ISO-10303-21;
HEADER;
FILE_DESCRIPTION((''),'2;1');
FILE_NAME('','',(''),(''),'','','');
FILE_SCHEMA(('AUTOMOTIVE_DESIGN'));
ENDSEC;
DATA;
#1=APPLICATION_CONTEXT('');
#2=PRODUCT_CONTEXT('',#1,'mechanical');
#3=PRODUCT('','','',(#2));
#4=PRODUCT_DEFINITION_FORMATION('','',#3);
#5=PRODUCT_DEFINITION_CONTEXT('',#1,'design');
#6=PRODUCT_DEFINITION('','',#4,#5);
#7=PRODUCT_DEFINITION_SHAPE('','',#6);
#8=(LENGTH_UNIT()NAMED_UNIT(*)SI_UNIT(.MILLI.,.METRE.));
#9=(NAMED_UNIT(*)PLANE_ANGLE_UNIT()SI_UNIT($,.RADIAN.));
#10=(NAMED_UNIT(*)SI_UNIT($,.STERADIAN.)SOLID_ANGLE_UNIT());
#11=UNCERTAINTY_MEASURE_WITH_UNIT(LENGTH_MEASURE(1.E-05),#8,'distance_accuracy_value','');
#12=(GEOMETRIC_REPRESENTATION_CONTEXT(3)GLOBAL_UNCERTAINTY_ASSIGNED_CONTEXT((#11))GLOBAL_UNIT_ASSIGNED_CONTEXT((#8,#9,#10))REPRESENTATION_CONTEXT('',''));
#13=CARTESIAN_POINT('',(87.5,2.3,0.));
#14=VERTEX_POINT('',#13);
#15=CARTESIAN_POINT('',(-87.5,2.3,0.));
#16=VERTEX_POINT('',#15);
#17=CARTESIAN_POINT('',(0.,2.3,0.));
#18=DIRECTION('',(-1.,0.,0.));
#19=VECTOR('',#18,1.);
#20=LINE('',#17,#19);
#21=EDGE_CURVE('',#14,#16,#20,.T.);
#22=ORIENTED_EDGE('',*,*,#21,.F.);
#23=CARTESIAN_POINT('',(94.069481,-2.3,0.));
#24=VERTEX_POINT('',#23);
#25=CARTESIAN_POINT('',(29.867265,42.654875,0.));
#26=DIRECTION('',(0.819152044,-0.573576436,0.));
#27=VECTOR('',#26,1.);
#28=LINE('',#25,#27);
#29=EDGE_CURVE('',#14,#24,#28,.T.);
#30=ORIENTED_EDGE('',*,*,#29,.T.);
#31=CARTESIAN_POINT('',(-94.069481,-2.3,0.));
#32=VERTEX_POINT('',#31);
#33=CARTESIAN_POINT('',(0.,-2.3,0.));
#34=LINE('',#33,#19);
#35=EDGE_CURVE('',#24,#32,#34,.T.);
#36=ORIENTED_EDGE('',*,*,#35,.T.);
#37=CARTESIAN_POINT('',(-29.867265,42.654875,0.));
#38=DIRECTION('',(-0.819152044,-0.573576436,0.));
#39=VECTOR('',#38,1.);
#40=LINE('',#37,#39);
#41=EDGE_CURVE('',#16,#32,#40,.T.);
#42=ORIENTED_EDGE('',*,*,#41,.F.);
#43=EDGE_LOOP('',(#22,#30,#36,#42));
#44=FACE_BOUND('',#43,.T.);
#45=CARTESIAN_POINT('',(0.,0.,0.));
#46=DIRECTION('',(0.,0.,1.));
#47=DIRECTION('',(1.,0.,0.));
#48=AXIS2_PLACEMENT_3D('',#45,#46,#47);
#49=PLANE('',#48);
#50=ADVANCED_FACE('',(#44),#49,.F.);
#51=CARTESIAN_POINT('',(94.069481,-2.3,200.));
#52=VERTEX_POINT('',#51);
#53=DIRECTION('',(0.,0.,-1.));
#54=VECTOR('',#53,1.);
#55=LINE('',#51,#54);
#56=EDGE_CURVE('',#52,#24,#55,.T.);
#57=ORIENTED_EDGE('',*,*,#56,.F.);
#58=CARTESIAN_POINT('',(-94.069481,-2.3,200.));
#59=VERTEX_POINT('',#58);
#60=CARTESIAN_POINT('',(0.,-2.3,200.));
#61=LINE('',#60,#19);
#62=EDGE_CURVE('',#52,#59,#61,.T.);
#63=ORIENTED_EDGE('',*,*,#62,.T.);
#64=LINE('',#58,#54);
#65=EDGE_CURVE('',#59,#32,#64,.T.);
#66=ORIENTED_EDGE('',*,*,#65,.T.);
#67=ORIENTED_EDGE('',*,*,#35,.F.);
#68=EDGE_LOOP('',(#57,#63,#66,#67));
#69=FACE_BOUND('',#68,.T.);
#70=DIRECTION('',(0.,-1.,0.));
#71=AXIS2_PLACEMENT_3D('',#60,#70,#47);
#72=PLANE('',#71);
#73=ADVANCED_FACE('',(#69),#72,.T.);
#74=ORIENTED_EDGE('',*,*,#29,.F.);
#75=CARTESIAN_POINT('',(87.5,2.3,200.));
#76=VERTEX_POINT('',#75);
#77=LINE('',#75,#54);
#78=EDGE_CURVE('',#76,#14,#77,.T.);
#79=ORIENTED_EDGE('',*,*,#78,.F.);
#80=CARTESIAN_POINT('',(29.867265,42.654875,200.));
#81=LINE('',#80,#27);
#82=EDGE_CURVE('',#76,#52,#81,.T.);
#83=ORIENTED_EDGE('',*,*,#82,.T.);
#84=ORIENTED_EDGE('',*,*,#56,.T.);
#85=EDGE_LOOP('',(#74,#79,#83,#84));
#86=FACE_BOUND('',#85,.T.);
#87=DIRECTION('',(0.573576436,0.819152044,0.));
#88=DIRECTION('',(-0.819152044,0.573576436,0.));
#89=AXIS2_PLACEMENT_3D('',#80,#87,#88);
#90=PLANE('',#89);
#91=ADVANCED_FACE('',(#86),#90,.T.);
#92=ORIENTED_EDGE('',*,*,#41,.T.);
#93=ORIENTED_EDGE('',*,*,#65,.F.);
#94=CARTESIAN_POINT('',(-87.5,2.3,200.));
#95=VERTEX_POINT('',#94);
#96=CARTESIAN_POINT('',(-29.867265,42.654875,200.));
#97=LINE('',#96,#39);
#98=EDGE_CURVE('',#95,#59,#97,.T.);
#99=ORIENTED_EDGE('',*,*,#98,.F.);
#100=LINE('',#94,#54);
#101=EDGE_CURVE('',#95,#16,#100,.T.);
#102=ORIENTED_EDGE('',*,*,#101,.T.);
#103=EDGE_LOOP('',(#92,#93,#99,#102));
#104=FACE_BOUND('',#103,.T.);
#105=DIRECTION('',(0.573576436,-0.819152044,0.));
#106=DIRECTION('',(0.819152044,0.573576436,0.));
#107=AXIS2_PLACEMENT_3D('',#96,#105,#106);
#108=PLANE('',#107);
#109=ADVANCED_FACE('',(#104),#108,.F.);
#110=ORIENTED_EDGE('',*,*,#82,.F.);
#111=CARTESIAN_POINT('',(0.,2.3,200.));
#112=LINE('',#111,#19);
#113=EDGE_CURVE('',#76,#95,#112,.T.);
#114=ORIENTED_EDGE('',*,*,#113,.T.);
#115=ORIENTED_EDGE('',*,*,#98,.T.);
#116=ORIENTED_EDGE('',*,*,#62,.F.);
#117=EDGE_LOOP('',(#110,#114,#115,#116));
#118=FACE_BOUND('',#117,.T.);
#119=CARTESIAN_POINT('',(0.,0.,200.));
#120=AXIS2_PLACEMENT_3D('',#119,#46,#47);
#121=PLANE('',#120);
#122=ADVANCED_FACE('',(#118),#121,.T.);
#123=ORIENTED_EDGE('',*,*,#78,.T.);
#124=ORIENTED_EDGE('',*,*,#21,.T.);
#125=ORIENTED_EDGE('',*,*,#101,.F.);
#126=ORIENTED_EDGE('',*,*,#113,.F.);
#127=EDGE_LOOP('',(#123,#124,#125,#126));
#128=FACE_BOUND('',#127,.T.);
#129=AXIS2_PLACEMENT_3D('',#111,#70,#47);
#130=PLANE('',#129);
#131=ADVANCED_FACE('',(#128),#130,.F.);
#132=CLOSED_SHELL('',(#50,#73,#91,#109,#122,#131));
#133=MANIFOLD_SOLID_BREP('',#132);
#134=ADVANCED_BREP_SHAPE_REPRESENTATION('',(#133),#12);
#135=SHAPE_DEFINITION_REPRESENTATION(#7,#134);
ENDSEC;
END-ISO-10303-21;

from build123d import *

# Parameters (mm, degrees)
ESBO_O1_W                = 175
ESBO_O1_H                = 4.6
RESSALTO_EXTRUS_O1_DEPTH = 200


with BuildPart() as part:
    # Esboço1 → Ressalto-extrusão1 (new body)
    with BuildSketch(Plane.XY):
        Polygon((-87.5, -2.3), (-87.5, 2.3), (-94.069480831, -2.3), align=None)
        Rectangle(ESBO_O1_W, ESBO_O1_H)
        Polygon((87.5, -2.3), (87.5, 2.3), (94.069480831, -2.3), align=None)
    extrude(amount=RESSALTO_EXTRUS_O1_DEPTH)


solid = part.part
